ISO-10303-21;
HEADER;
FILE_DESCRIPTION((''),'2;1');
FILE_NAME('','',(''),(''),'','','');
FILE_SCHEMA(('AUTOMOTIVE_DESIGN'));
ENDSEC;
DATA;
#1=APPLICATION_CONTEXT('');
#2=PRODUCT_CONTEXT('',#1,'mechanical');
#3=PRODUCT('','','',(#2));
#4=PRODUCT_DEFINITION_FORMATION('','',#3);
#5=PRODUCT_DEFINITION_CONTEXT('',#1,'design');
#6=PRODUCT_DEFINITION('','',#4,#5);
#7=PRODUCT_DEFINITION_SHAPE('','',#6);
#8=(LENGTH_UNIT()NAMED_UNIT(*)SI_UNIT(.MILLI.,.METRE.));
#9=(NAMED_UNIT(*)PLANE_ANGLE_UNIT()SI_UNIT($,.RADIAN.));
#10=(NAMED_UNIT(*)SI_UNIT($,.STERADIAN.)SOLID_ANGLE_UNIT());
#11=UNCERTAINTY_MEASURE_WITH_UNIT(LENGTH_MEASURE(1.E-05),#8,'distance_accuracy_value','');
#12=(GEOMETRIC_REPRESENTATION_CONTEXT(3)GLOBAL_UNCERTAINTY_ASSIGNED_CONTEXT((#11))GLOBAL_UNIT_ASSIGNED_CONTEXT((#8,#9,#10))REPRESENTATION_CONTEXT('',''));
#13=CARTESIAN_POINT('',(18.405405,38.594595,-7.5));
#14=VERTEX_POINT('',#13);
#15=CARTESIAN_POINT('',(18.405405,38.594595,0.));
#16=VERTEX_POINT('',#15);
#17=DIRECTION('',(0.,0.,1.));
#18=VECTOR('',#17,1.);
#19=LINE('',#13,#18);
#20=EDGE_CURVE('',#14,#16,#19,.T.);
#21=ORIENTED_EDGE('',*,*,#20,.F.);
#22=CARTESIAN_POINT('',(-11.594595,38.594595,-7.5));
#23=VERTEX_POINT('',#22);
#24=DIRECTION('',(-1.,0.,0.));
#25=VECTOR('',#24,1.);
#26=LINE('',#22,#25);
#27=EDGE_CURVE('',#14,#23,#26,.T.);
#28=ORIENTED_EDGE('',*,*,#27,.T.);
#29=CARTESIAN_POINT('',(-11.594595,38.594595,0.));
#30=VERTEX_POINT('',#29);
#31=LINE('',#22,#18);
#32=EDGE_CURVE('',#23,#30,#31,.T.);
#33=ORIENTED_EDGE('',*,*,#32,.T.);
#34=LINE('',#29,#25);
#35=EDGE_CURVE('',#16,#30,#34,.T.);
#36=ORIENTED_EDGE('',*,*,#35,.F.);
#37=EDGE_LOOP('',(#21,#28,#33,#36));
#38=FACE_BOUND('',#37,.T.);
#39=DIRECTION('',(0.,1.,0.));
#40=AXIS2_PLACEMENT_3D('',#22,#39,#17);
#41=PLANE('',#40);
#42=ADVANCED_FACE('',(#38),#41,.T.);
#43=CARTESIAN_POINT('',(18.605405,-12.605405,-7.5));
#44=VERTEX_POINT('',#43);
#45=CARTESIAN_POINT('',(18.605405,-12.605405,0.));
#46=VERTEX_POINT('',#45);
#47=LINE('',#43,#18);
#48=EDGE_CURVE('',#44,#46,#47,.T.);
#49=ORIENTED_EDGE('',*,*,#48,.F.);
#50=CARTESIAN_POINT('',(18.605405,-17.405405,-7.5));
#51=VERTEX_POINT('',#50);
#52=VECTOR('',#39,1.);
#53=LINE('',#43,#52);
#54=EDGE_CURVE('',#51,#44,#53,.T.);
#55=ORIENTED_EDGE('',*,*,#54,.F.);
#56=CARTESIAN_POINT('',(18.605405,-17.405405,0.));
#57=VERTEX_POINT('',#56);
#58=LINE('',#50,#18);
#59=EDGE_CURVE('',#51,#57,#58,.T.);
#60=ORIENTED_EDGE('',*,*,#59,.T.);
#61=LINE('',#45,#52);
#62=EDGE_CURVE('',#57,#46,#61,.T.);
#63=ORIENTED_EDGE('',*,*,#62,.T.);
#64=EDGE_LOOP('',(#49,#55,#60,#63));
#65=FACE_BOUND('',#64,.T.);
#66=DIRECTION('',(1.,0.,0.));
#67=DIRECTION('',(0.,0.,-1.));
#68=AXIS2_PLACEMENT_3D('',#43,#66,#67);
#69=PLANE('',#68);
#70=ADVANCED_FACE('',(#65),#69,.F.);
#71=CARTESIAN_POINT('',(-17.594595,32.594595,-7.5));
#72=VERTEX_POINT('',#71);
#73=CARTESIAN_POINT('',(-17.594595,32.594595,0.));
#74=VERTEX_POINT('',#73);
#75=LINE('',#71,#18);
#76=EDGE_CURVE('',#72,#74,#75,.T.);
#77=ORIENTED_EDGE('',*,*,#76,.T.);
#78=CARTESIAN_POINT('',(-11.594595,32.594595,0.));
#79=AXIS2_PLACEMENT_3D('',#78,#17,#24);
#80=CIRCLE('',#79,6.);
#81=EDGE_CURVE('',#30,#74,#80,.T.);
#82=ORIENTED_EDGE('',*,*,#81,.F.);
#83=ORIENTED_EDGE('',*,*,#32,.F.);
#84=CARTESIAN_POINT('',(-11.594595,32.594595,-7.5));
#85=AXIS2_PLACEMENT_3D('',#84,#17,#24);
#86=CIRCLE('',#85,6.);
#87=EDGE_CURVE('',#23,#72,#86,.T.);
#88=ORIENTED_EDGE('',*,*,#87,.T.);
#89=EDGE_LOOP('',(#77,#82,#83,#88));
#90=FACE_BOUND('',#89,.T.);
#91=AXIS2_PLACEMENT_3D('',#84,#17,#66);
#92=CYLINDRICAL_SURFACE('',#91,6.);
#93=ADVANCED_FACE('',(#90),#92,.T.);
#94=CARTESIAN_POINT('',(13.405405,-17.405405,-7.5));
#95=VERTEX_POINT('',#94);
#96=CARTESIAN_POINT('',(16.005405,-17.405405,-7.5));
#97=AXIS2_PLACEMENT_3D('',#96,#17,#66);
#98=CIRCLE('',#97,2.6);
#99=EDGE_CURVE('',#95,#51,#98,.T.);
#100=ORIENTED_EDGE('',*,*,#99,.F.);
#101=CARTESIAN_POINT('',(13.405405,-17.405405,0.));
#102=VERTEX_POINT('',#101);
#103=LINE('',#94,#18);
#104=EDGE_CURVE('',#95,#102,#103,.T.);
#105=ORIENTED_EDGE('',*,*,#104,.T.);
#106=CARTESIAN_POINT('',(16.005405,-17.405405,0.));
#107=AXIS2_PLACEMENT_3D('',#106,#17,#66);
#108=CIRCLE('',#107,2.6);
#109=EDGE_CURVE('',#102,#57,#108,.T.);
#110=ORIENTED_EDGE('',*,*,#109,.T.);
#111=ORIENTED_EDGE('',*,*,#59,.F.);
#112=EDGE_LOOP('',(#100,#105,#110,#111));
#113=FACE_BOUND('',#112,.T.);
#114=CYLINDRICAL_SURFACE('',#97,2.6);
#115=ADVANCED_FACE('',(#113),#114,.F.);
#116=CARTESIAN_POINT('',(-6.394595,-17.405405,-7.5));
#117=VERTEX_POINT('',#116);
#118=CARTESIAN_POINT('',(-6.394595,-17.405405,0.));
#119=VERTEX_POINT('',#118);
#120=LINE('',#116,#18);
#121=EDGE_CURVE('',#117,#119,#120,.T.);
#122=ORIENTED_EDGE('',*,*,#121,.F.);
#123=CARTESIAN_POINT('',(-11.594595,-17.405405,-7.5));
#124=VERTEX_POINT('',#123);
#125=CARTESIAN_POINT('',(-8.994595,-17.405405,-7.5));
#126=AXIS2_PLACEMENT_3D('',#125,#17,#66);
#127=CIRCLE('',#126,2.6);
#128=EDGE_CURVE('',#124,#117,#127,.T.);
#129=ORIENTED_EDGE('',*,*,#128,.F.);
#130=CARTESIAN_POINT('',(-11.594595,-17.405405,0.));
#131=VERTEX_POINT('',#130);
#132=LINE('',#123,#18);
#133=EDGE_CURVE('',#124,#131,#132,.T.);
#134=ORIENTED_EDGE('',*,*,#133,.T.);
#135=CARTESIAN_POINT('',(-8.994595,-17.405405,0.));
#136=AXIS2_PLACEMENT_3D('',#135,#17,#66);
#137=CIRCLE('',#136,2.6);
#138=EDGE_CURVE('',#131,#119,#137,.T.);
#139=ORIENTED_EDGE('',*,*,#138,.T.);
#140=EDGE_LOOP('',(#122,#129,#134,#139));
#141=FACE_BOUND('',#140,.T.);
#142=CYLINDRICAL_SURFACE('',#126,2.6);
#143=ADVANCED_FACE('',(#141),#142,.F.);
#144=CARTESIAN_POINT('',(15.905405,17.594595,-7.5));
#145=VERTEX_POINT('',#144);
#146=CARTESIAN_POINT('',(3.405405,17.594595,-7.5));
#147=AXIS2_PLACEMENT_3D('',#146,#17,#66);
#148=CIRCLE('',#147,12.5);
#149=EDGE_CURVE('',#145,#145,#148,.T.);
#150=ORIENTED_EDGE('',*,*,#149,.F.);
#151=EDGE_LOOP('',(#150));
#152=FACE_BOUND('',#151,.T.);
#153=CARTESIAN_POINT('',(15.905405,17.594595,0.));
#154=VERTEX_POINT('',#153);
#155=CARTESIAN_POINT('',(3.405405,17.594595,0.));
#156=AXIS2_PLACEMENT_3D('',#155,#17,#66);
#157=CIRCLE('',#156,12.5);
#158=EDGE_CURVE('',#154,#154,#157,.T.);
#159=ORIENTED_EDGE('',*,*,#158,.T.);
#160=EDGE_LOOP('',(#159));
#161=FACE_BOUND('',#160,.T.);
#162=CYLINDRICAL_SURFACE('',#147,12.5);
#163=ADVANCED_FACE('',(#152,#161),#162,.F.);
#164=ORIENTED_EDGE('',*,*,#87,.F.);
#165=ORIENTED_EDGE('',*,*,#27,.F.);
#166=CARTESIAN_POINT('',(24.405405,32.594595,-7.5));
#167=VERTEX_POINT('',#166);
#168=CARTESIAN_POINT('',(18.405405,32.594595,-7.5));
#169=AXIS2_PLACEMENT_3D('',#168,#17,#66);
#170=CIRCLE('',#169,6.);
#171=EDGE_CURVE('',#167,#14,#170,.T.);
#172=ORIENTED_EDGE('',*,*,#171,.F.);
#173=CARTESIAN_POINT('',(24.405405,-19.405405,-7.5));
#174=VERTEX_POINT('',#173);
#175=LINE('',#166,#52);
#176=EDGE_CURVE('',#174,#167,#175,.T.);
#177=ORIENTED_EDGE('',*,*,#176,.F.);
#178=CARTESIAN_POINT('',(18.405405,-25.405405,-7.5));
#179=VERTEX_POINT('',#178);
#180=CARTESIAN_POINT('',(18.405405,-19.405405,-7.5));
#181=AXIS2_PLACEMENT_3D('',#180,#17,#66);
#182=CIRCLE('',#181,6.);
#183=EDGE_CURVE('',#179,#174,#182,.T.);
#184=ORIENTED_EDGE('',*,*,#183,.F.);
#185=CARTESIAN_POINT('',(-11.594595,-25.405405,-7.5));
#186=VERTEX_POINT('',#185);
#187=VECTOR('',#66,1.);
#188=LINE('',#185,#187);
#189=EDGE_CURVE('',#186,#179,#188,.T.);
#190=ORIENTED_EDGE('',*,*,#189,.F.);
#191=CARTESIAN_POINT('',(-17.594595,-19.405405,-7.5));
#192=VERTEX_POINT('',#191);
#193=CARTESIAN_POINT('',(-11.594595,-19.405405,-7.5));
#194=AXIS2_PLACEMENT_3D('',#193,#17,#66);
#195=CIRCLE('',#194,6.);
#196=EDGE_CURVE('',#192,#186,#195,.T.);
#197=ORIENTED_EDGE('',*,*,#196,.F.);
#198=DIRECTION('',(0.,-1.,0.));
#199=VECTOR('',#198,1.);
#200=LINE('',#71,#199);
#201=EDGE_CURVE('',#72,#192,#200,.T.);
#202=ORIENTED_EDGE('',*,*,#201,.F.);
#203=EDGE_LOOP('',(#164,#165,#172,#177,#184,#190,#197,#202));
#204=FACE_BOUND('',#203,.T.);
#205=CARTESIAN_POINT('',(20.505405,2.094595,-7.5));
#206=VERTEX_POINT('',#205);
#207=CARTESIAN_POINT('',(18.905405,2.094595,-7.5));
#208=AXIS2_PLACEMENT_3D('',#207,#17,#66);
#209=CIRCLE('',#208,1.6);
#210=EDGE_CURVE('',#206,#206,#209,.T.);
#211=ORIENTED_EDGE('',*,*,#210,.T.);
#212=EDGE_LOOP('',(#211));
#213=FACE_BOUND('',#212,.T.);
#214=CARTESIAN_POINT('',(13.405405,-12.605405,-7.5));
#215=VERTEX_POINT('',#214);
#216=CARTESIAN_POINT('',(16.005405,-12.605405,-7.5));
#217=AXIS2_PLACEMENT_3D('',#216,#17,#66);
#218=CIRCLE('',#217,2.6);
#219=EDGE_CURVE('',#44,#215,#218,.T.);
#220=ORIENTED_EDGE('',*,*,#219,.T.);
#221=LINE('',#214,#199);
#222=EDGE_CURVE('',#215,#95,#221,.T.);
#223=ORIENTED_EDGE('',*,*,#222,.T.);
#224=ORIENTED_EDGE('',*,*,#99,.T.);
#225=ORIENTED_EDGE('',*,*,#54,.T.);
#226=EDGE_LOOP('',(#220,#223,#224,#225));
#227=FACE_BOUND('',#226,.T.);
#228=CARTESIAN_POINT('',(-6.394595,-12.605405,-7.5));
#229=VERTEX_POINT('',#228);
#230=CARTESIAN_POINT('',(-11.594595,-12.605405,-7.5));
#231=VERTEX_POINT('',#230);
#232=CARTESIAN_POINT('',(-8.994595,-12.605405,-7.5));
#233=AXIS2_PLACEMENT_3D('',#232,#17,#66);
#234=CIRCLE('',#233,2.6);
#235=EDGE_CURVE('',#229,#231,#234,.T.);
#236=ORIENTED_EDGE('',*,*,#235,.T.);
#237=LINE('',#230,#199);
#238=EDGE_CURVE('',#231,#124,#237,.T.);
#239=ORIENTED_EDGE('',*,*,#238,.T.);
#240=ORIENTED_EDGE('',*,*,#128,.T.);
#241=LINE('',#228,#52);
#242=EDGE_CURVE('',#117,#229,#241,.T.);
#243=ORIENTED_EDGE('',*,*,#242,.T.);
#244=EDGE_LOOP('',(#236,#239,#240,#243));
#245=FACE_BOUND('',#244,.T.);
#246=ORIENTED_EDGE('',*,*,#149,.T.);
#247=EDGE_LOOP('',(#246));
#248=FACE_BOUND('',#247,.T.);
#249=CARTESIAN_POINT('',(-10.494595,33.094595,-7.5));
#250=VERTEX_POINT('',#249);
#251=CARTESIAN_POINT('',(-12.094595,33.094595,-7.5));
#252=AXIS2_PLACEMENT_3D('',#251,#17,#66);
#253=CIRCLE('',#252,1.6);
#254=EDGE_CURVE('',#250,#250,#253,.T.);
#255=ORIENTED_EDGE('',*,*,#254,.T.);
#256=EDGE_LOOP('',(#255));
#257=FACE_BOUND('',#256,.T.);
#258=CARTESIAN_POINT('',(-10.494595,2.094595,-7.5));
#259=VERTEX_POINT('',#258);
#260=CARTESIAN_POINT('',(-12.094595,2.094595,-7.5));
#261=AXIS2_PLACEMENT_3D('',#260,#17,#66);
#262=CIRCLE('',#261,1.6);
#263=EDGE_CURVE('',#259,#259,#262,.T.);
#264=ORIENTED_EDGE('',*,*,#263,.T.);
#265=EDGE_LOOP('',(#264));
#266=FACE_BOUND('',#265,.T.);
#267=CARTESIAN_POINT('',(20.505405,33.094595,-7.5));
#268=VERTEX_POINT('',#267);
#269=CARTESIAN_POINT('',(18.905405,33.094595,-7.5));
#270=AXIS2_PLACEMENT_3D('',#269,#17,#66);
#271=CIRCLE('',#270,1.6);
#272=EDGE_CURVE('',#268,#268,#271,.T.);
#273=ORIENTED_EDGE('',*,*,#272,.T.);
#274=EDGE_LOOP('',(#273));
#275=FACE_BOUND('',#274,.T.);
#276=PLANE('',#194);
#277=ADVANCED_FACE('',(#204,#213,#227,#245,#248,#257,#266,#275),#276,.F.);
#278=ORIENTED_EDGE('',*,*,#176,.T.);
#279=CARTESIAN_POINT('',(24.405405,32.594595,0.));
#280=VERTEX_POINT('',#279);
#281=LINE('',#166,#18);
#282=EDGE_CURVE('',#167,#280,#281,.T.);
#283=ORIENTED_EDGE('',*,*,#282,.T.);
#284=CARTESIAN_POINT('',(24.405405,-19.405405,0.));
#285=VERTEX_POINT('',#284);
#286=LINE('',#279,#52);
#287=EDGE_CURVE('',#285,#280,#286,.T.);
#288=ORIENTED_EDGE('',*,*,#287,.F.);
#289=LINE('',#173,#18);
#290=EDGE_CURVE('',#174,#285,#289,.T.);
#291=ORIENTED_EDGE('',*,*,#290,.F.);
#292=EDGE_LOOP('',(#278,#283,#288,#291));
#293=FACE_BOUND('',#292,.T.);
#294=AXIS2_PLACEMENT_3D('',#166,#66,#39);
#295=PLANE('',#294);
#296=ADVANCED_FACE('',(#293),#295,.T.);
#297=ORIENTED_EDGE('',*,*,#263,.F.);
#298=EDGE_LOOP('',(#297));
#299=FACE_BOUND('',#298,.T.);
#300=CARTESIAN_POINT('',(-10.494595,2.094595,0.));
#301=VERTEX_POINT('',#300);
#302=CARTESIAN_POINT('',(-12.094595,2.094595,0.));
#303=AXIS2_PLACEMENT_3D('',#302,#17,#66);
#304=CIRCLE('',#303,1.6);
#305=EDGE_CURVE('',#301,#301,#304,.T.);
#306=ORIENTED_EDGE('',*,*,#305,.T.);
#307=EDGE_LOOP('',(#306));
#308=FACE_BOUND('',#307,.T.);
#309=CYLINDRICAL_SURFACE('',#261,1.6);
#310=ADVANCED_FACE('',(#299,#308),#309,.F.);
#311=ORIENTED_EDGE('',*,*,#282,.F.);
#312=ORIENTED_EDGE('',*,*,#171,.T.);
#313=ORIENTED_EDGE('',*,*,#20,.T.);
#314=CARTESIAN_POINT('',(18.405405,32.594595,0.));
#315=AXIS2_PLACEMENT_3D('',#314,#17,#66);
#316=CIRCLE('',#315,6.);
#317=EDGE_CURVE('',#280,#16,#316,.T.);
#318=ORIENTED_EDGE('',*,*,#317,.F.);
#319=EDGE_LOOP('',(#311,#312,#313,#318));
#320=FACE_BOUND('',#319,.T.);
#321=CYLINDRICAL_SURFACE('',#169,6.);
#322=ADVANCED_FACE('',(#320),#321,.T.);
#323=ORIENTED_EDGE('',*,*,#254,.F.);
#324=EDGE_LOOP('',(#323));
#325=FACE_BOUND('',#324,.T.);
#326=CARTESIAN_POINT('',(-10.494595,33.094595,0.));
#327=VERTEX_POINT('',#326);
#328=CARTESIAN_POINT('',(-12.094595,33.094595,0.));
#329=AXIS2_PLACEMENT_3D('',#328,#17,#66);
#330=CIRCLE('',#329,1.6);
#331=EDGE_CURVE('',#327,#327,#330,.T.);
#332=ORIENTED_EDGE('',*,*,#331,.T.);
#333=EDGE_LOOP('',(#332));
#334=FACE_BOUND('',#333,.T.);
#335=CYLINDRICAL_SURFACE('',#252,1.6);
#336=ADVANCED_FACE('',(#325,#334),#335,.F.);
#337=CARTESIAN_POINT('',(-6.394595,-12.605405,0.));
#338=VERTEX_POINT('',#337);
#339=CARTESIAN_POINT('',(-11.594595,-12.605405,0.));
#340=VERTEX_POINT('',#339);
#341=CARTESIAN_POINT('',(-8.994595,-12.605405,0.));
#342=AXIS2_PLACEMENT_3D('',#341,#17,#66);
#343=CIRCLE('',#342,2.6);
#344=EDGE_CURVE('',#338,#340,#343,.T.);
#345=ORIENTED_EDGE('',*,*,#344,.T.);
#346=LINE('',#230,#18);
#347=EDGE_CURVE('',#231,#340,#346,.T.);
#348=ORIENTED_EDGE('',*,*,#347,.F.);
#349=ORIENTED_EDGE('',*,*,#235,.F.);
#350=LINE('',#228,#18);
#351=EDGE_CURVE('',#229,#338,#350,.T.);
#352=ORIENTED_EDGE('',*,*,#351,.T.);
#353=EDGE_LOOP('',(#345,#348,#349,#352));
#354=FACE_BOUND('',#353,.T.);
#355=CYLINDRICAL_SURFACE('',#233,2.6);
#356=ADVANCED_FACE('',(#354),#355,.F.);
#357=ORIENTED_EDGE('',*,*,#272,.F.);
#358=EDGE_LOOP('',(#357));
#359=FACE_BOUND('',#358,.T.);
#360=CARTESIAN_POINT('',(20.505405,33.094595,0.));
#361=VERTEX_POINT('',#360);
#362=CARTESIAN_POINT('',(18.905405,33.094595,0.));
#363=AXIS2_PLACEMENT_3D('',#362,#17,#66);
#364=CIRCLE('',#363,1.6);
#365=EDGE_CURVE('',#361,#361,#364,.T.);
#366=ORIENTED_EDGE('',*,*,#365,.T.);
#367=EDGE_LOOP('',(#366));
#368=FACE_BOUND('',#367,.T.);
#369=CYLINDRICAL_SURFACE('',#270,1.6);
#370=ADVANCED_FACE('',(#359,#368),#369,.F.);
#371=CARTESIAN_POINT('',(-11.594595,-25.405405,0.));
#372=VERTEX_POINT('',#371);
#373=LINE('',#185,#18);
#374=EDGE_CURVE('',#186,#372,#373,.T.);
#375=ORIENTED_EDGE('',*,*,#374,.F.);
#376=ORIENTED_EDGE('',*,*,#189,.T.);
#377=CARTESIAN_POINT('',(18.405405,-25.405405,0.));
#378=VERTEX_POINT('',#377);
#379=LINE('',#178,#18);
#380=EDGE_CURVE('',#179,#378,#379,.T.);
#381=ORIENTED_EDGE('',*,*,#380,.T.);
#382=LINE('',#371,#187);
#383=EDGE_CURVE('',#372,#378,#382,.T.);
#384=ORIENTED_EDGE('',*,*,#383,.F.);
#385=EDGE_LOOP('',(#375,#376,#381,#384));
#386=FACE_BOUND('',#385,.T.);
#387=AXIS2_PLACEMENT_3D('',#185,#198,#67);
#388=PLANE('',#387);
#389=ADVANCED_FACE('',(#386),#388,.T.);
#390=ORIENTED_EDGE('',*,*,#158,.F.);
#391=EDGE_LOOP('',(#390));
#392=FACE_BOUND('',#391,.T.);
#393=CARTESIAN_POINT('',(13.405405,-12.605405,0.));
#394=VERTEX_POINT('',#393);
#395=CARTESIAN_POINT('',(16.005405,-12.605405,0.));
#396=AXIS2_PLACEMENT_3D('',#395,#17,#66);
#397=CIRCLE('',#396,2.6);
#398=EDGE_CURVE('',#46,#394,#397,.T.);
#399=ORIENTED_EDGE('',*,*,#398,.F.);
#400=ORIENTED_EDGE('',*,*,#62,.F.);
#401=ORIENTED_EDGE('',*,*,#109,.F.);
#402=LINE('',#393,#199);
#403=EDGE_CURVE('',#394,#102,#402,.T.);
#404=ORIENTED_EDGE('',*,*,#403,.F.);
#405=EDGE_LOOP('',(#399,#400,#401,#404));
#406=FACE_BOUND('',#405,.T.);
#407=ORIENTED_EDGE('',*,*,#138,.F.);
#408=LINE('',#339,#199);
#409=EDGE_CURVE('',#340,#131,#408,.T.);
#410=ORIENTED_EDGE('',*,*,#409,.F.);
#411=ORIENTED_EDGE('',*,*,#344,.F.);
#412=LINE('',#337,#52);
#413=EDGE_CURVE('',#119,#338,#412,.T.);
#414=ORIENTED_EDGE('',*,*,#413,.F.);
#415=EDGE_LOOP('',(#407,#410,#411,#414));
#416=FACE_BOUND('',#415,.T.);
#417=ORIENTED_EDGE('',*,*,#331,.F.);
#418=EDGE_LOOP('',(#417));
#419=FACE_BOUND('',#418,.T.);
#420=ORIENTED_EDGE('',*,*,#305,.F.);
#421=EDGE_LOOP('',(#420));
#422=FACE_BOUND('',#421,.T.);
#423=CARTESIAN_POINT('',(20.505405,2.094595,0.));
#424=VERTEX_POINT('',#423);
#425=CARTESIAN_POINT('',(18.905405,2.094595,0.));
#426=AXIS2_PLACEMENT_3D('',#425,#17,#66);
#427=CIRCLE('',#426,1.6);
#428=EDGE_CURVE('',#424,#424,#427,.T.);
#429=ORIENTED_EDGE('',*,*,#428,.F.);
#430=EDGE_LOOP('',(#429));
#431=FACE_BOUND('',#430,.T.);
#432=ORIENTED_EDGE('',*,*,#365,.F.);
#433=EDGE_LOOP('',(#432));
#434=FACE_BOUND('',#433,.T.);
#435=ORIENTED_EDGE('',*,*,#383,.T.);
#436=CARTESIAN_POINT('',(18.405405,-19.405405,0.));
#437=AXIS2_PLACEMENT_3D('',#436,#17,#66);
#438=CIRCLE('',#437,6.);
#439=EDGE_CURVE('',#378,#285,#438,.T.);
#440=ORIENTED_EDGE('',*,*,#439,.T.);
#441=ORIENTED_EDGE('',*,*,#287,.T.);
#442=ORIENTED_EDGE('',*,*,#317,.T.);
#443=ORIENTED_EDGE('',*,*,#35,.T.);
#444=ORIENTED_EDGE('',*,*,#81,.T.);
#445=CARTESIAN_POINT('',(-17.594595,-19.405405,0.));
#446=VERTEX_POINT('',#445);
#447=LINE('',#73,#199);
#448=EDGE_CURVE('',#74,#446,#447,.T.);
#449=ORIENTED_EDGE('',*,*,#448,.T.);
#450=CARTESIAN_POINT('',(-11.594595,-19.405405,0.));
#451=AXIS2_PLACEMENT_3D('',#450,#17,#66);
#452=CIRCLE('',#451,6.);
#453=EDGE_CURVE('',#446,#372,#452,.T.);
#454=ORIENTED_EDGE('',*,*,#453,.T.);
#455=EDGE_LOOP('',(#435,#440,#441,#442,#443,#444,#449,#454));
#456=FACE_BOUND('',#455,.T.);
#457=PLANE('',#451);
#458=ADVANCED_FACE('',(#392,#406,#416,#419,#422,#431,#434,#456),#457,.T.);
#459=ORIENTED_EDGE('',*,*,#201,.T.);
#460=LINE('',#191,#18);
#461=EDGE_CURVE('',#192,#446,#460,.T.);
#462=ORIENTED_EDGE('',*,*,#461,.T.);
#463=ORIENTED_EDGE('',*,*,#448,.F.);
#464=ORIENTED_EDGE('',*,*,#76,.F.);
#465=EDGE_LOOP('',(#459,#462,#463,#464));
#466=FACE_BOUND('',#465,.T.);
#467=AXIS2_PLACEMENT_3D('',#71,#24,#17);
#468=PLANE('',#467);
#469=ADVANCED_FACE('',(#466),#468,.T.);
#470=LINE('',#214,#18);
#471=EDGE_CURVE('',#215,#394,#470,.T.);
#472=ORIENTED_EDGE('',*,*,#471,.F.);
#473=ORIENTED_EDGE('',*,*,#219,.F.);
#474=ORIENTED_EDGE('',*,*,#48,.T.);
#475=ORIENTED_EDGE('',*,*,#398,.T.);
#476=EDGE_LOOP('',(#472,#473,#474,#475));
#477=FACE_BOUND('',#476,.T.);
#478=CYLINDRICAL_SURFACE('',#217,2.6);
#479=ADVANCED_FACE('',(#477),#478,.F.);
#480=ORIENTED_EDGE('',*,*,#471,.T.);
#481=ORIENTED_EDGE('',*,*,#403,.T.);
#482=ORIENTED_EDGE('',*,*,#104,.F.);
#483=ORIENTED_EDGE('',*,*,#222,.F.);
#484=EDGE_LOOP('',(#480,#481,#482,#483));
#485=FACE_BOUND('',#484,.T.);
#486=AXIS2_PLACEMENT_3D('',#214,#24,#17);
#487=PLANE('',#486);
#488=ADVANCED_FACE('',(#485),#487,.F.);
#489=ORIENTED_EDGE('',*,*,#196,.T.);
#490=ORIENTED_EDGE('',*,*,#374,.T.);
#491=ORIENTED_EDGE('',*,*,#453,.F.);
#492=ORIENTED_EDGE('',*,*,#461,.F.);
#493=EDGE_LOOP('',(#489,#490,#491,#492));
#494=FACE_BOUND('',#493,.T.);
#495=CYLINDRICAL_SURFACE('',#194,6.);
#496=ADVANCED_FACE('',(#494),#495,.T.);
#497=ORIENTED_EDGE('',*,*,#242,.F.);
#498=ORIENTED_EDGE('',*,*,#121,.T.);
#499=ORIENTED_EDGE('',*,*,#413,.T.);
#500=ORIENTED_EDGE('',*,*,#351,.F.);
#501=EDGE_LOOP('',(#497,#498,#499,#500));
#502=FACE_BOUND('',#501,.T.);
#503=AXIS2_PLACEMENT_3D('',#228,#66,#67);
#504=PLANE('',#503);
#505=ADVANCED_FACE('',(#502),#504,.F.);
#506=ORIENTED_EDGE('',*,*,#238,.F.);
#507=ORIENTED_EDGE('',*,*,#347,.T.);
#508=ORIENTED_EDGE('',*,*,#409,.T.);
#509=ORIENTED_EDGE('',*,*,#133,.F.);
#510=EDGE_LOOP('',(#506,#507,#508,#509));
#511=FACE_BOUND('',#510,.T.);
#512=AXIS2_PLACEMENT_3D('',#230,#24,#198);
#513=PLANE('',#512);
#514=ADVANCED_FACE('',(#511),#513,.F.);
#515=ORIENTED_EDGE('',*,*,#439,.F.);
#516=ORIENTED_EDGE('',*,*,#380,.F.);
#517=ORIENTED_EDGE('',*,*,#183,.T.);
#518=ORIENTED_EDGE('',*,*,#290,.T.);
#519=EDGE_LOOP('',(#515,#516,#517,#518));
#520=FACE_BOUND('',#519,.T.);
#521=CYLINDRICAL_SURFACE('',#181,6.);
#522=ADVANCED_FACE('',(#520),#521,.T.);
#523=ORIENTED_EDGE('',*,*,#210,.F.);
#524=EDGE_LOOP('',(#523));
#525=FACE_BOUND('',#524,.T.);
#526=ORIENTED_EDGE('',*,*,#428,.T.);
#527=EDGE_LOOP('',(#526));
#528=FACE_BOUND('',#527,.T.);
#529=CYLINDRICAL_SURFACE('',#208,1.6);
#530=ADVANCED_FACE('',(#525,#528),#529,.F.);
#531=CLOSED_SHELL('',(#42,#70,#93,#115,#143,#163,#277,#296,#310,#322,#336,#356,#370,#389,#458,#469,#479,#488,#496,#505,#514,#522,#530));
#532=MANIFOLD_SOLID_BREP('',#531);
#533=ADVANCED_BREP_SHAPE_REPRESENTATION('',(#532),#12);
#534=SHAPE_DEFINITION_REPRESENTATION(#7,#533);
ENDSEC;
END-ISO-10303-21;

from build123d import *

# Parameters (mm, degrees)
SKETCH_1_R      = 12.5
SKETCH_1_R_2    = 1.6
EXTRUDE_1_DEPTH = 7.5


with BuildPart() as part:
    # 草图1 → 凸台-拉伸1 (new body)
    with BuildSketch(Plane.XY):
        with BuildLine():
            Line((-11.594594595, 38.594594595), (18.405405405, 38.594594595))
            ThreePointArc((18.405405405, 38.594594595), (22.648046093, 36.837235282), (24.405405405, 32.594594595))
            Line((24.405405405, 32.594594595), (24.405405405, -19.405405405))
            ThreePointArc((24.405405405, -19.405405405), (22.648046093, -23.648046093), (18.405405405, -25.405405405))
            Line((18.405405405, -25.405405405), (-11.594594595, -25.405405405))
            ThreePointArc((-11.594594595, -25.405405405), (-15.837235282, -23.648046093), (-17.594594595, -19.405405405))
            Line((-17.594594595, -19.405405405), (-17.594594595, 32.594594595))
            ThreePointArc((-17.594594595, 32.594594595), (-15.837235282, 36.837235282), (-11.594594595, 38.594594595))
        make_face()
        with Locations((3.405405405, 17.594594595)):
            Circle(SKETCH_1_R, mode=Mode.SUBTRACT)
        with Locations((-12.094594595, 33.094594595)):
            Circle(SKETCH_1_R_2, mode=Mode.SUBTRACT)
        with Locations((18.905405405, 33.094594595)):
            Circle(SKETCH_1_R_2, mode=Mode.SUBTRACT)
        with Locations((18.905405405, 2.094594595)):
            Circle(SKETCH_1_R_2, mode=Mode.SUBTRACT)
        with Locations((-12.094594595, 2.094594595)):
            Circle(SKETCH_1_R_2, mode=Mode.SUBTRACT)
        with BuildLine():
            Line((13.405405405, -12.605405405), (13.405405405, -17.40540541))
            ThreePointArc((13.405405405, -17.40540541), (16.005405405, -20.00540541), (18.605405405, -17.40540541))
            Line((18.605405405, -17.40540541), (18.605405405, -12.605405405))
            ThreePointArc((18.605405405, -12.605405405), (16.005405405, -10.005405405), (13.405405405, -12.605405405))
        make_face(mode=Mode.SUBTRACT)
        with BuildLine():
            Line((-11.594594595, -12.605405405), (-11.594594595, -17.40540541))
            ThreePointArc((-11.594594595, -17.40540541), (-8.994594595, -20.00540541), (-6.394594595, -17.40540541))
            Line((-6.394594595, -17.40540541), (-6.394594595, -12.605405405))
            ThreePointArc((-6.394594595, -12.605405405), (-8.994594595, -10.005405405), (-11.594594595, -12.605405405))
        make_face(mode=Mode.SUBTRACT)
    extrude(amount=-EXTRUDE_1_DEPTH)


solid = part.part
